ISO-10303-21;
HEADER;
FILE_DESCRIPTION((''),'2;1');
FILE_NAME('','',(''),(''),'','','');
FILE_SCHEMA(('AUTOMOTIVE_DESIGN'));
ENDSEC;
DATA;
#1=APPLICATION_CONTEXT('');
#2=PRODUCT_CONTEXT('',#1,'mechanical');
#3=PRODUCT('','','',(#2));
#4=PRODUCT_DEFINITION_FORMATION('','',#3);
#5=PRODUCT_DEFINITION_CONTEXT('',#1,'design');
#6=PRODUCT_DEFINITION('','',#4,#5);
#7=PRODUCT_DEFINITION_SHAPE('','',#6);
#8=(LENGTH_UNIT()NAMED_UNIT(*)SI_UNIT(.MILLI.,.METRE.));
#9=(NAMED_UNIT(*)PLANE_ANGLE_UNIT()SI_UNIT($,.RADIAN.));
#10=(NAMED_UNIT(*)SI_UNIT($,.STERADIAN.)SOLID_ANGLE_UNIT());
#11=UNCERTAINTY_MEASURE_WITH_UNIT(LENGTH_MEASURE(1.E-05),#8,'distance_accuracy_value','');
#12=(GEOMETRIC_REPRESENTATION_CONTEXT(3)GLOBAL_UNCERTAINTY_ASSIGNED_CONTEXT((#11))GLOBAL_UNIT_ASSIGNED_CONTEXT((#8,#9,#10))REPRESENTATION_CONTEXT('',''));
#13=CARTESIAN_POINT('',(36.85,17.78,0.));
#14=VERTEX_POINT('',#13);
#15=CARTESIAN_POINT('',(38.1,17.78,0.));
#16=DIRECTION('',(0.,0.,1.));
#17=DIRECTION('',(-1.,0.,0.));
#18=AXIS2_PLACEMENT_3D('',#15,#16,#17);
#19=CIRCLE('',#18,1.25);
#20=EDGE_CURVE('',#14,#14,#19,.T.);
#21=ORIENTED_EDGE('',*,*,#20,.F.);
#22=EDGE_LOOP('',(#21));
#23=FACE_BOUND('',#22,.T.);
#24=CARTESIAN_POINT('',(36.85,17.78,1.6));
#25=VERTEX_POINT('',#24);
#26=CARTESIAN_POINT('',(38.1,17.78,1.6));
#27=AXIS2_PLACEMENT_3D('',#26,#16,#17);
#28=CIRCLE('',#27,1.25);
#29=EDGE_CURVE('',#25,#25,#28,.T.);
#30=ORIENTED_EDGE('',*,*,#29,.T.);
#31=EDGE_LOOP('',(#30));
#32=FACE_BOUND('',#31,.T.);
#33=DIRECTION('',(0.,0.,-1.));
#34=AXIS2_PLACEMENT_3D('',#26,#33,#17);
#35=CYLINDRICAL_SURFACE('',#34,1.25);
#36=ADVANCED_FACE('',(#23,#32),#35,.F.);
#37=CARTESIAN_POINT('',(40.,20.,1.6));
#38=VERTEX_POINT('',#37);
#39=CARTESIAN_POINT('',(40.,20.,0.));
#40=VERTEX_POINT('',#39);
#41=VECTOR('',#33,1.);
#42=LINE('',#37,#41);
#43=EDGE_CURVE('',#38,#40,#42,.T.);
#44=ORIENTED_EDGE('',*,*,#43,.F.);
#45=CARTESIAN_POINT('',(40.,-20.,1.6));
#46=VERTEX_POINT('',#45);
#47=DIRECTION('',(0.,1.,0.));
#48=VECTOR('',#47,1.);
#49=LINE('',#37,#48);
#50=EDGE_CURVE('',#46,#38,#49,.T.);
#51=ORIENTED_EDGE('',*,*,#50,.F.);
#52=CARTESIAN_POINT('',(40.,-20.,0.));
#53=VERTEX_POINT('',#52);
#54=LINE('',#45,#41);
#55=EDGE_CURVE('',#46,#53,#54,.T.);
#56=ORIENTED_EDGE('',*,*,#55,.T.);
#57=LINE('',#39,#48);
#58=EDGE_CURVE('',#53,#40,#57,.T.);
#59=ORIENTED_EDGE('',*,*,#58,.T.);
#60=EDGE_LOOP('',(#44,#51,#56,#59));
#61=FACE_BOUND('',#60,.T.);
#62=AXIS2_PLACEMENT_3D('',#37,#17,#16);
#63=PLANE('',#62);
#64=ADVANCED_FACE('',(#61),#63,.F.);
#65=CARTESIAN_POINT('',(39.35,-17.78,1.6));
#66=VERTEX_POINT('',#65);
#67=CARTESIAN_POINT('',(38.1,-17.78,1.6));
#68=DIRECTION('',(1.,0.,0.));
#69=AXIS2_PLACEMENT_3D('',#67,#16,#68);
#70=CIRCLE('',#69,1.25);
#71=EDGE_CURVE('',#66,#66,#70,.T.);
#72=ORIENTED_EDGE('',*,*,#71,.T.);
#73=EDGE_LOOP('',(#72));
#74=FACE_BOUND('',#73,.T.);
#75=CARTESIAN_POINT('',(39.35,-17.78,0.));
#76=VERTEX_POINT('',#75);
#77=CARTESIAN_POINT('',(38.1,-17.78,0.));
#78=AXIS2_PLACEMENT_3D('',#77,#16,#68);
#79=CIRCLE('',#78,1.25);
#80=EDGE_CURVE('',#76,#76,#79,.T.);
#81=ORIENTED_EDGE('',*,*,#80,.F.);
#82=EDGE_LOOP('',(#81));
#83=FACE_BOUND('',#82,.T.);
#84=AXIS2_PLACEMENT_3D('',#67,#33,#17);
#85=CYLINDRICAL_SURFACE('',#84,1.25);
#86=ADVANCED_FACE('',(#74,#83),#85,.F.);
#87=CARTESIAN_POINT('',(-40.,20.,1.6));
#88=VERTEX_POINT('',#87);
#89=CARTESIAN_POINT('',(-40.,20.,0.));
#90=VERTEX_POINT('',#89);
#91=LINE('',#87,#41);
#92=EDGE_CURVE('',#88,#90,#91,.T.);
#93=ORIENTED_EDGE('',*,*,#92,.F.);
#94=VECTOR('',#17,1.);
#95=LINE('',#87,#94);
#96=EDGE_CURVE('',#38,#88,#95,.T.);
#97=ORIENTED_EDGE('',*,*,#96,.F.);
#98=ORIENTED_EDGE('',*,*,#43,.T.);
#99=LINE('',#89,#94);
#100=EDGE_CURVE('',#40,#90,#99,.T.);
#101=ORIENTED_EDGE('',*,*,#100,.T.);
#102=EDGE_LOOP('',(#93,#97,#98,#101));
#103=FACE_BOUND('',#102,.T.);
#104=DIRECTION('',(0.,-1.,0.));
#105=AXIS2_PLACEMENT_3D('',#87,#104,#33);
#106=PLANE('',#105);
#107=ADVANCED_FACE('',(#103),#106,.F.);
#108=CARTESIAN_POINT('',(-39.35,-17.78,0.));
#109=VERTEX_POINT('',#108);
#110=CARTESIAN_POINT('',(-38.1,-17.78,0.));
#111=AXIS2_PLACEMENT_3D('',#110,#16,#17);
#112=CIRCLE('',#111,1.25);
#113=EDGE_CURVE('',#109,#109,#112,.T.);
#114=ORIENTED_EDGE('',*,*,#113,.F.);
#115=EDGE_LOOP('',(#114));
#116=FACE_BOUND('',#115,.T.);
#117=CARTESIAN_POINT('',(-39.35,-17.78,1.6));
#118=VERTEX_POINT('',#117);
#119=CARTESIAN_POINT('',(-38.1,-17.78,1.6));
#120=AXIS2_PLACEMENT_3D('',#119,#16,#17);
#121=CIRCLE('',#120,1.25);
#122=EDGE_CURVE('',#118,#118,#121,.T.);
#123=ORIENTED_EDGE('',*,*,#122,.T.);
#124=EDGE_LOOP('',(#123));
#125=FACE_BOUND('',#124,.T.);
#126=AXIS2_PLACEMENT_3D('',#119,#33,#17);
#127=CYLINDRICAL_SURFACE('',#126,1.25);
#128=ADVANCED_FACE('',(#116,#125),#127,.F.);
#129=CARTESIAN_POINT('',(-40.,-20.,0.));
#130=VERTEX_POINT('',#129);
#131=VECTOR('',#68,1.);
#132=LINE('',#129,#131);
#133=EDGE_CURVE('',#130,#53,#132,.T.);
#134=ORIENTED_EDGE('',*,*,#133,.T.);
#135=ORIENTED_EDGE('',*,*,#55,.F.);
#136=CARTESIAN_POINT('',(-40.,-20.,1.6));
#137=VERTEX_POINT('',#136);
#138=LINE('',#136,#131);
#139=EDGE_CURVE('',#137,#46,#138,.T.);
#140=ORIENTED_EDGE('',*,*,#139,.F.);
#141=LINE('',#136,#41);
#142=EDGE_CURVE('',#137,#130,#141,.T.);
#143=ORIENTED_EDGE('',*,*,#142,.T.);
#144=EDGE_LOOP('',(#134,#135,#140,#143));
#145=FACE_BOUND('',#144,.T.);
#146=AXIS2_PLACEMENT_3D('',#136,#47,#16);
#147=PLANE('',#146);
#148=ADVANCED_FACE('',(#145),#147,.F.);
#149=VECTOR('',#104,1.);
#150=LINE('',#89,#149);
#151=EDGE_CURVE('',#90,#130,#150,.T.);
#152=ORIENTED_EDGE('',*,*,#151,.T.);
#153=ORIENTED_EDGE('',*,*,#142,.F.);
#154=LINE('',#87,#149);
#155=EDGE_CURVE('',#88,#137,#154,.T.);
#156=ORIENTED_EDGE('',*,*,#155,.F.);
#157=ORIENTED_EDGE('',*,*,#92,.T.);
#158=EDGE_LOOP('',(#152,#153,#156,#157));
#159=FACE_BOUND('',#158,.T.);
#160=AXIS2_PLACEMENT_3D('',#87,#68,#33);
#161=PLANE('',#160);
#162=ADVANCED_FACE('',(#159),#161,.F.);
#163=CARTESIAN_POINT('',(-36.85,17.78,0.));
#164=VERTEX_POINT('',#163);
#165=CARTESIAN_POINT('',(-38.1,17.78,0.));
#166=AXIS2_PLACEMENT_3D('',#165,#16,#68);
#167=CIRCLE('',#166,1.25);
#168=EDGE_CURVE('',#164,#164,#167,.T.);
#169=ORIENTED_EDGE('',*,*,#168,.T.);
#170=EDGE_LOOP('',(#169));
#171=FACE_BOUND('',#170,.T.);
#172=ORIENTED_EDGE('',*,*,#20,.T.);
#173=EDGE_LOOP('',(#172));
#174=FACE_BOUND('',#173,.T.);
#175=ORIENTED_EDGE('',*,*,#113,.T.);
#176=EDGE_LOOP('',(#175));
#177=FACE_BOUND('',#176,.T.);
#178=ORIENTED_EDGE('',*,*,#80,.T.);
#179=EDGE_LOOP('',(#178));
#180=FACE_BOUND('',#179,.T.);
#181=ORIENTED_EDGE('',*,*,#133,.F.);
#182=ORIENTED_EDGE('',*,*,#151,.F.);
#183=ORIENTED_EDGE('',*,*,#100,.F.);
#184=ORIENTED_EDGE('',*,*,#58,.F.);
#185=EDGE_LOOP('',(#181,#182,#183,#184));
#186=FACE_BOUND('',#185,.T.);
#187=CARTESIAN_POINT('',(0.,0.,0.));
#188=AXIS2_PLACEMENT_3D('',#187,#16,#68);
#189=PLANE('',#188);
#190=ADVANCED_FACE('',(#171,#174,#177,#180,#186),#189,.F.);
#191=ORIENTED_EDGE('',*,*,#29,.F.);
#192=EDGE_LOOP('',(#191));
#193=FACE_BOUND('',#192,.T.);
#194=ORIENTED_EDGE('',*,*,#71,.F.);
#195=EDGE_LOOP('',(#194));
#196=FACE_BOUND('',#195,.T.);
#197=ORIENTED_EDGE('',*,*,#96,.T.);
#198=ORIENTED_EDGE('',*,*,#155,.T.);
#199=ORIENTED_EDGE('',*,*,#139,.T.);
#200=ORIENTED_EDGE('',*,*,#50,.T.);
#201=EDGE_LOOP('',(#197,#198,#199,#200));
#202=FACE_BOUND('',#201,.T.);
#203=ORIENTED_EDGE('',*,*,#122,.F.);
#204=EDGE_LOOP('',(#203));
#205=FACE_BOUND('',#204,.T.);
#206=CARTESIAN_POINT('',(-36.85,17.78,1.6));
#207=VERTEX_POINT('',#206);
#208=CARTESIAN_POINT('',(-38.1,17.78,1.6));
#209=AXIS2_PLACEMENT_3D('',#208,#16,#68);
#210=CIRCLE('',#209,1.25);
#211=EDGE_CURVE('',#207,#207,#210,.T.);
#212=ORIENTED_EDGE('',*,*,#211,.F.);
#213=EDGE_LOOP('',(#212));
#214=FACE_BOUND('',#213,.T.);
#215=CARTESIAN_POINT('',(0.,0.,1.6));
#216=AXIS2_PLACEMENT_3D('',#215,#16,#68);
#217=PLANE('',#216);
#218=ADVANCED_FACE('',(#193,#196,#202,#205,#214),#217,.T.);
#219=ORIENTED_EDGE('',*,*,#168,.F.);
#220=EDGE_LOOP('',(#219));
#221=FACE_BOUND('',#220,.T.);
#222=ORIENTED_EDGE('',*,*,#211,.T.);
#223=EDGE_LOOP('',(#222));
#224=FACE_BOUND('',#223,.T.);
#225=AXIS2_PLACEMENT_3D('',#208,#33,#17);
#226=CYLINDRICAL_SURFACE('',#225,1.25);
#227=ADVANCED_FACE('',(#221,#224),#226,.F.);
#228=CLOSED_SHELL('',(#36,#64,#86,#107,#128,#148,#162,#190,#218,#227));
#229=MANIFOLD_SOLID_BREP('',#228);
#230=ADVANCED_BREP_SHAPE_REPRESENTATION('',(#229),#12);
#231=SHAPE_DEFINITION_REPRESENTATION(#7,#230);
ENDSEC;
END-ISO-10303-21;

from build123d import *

# Parameters (mm, degrees)
ESQUISSE1_W        = 80
ESQUISSE1_H        = 40
ESQUISSE1_R        = 1.25
BOSS_EXTRU_1_DEPTH = 1.6


with BuildPart() as part:
    # Esquisse1 → Boss.-Extru.1 (new body)
    with BuildSketch(Plane.XY):
        Rectangle(ESQUISSE1_W, ESQUISSE1_H)
        with Locations((-38.1, 17.78)):
            Circle(ESQUISSE1_R, mode=Mode.SUBTRACT)
        with Locations(Location((-38.1, -17.78, 0), (0, 0, 180))):
            Circle(ESQUISSE1_R, mode=Mode.SUBTRACT)
        with Locations((38.1, -17.78)):
            Circle(ESQUISSE1_R, mode=Mode.SUBTRACT)
        with Locations(Location((38.1, 17.78, 0), (0, 0, 180))):
            Circle(ESQUISSE1_R, mode=Mode.SUBTRACT)
    extrude(amount=BOSS_EXTRU_1_DEPTH)


solid = part.part
